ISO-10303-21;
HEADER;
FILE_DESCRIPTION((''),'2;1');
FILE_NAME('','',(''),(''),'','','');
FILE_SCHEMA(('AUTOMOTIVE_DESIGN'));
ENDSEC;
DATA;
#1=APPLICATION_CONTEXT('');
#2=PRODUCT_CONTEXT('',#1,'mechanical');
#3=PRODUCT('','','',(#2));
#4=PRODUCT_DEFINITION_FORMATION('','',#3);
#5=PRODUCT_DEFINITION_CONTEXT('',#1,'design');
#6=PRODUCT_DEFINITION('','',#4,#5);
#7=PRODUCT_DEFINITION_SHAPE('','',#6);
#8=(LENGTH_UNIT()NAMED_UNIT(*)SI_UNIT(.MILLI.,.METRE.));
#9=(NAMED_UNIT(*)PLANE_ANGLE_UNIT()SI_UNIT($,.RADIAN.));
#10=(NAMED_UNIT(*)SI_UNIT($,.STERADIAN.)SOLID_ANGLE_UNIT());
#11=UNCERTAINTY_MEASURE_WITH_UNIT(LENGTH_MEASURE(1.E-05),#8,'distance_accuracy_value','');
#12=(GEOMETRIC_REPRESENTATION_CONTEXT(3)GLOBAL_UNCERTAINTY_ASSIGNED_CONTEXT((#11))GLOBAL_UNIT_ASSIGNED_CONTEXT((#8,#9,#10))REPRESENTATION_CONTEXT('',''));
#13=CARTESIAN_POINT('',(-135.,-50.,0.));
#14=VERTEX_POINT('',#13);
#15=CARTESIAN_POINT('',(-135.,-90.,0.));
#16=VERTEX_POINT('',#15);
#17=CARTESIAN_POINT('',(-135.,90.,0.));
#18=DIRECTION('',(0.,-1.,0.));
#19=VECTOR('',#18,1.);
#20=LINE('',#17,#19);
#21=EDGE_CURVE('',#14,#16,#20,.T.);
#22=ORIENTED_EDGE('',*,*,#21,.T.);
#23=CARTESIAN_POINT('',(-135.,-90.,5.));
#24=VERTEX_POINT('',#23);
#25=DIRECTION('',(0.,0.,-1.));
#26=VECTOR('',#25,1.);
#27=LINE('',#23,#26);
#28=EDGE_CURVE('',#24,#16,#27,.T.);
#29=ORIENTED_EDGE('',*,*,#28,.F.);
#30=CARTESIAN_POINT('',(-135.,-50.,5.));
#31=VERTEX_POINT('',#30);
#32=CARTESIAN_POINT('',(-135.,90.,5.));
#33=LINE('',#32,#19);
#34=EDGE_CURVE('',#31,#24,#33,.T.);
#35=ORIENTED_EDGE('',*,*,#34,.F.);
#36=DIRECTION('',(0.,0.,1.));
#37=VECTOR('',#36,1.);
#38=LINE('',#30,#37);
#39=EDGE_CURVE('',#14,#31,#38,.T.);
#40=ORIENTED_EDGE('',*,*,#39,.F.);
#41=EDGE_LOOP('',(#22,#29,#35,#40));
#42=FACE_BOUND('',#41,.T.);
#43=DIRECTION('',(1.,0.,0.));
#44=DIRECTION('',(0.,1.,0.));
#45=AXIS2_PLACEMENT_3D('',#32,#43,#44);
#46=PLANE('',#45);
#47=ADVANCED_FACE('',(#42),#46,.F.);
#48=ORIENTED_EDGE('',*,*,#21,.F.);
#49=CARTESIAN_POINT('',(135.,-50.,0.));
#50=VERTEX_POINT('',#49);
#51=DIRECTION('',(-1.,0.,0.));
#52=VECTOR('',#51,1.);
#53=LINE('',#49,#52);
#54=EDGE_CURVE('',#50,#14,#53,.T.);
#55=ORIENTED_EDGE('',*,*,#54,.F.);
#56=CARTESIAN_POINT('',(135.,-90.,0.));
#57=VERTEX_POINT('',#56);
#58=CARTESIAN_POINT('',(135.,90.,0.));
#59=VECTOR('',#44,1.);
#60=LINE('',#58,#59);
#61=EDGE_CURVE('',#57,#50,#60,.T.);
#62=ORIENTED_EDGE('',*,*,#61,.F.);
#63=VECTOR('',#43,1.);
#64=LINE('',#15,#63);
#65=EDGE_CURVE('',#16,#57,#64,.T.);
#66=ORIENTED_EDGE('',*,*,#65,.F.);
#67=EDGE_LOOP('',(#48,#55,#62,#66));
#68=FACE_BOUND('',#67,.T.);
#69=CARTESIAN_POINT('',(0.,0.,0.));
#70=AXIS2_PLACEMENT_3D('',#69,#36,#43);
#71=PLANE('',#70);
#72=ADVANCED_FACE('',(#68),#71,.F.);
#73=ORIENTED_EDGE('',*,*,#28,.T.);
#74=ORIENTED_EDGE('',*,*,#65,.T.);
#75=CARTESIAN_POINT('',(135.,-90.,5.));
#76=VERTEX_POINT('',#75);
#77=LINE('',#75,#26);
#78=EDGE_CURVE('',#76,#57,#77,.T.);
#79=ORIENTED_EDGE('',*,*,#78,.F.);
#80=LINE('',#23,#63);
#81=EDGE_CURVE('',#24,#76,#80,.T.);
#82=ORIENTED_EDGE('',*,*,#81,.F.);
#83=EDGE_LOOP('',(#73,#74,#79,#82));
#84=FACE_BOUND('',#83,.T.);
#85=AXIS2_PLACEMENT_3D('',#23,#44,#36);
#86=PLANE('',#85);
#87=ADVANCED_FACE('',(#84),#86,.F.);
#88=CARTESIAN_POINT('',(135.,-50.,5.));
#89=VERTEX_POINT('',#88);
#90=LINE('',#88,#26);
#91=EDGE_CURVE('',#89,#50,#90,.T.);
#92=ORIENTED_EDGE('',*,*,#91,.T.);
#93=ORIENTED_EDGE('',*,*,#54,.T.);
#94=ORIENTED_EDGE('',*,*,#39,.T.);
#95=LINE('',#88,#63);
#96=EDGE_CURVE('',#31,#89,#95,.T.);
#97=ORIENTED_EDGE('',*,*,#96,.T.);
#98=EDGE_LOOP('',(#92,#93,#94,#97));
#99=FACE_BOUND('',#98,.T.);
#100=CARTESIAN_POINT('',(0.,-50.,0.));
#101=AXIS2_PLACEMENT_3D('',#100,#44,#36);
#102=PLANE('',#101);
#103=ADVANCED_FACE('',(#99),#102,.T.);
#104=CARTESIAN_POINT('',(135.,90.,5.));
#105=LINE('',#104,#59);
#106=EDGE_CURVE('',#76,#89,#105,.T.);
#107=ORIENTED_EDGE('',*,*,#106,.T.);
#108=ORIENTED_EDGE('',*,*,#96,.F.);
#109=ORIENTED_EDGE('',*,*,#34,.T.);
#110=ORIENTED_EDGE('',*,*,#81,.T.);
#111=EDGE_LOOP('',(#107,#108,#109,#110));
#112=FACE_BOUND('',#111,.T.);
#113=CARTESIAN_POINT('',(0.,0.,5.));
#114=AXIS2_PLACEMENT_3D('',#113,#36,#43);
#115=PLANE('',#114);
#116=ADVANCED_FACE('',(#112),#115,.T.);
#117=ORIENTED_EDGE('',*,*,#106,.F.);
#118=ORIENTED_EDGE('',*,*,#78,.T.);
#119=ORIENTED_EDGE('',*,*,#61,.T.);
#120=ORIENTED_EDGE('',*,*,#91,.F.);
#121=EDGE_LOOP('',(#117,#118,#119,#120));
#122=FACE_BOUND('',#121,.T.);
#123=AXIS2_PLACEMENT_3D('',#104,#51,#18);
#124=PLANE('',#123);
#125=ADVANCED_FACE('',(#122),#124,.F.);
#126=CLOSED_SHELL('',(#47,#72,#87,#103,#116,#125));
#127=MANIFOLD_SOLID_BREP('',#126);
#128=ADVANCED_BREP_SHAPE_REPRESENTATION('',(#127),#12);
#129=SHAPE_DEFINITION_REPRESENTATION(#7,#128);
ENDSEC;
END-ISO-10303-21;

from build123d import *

# Parameters (mm, degrees)
ESQUISSE1_W             = 270
ESQUISSE1_H             = 180
BOSS_EXTRU_1_DEPTH      = 5
ESQUISSE2_W             = 270
ESQUISSE2_H             = 5
ENL_V_MAT_EXTRU_1_DEPTH = 140


with BuildPart() as part:
    # Esquisse1 → Boss.-Extru.1 (new body)
    with BuildSketch(Plane.XY):
        Rectangle(ESQUISSE1_W, ESQUISSE1_H)
    extrude(amount=BOSS_EXTRU_1_DEPTH)

    # Esquisse2 → Enlèv. mat.-Extru.1 (cut)
    with BuildSketch(Plane(origin=(0, 90, 0), x_dir=(1, 0, 0), z_dir=(0, 1, 0))):
        with Locations((0, -2.5)):
            Rectangle(ESQUISSE2_W, ESQUISSE2_H)
    extrude(amount=-ENL_V_MAT_EXTRU_1_DEPTH, mode=Mode.SUBTRACT)


solid = part.part
